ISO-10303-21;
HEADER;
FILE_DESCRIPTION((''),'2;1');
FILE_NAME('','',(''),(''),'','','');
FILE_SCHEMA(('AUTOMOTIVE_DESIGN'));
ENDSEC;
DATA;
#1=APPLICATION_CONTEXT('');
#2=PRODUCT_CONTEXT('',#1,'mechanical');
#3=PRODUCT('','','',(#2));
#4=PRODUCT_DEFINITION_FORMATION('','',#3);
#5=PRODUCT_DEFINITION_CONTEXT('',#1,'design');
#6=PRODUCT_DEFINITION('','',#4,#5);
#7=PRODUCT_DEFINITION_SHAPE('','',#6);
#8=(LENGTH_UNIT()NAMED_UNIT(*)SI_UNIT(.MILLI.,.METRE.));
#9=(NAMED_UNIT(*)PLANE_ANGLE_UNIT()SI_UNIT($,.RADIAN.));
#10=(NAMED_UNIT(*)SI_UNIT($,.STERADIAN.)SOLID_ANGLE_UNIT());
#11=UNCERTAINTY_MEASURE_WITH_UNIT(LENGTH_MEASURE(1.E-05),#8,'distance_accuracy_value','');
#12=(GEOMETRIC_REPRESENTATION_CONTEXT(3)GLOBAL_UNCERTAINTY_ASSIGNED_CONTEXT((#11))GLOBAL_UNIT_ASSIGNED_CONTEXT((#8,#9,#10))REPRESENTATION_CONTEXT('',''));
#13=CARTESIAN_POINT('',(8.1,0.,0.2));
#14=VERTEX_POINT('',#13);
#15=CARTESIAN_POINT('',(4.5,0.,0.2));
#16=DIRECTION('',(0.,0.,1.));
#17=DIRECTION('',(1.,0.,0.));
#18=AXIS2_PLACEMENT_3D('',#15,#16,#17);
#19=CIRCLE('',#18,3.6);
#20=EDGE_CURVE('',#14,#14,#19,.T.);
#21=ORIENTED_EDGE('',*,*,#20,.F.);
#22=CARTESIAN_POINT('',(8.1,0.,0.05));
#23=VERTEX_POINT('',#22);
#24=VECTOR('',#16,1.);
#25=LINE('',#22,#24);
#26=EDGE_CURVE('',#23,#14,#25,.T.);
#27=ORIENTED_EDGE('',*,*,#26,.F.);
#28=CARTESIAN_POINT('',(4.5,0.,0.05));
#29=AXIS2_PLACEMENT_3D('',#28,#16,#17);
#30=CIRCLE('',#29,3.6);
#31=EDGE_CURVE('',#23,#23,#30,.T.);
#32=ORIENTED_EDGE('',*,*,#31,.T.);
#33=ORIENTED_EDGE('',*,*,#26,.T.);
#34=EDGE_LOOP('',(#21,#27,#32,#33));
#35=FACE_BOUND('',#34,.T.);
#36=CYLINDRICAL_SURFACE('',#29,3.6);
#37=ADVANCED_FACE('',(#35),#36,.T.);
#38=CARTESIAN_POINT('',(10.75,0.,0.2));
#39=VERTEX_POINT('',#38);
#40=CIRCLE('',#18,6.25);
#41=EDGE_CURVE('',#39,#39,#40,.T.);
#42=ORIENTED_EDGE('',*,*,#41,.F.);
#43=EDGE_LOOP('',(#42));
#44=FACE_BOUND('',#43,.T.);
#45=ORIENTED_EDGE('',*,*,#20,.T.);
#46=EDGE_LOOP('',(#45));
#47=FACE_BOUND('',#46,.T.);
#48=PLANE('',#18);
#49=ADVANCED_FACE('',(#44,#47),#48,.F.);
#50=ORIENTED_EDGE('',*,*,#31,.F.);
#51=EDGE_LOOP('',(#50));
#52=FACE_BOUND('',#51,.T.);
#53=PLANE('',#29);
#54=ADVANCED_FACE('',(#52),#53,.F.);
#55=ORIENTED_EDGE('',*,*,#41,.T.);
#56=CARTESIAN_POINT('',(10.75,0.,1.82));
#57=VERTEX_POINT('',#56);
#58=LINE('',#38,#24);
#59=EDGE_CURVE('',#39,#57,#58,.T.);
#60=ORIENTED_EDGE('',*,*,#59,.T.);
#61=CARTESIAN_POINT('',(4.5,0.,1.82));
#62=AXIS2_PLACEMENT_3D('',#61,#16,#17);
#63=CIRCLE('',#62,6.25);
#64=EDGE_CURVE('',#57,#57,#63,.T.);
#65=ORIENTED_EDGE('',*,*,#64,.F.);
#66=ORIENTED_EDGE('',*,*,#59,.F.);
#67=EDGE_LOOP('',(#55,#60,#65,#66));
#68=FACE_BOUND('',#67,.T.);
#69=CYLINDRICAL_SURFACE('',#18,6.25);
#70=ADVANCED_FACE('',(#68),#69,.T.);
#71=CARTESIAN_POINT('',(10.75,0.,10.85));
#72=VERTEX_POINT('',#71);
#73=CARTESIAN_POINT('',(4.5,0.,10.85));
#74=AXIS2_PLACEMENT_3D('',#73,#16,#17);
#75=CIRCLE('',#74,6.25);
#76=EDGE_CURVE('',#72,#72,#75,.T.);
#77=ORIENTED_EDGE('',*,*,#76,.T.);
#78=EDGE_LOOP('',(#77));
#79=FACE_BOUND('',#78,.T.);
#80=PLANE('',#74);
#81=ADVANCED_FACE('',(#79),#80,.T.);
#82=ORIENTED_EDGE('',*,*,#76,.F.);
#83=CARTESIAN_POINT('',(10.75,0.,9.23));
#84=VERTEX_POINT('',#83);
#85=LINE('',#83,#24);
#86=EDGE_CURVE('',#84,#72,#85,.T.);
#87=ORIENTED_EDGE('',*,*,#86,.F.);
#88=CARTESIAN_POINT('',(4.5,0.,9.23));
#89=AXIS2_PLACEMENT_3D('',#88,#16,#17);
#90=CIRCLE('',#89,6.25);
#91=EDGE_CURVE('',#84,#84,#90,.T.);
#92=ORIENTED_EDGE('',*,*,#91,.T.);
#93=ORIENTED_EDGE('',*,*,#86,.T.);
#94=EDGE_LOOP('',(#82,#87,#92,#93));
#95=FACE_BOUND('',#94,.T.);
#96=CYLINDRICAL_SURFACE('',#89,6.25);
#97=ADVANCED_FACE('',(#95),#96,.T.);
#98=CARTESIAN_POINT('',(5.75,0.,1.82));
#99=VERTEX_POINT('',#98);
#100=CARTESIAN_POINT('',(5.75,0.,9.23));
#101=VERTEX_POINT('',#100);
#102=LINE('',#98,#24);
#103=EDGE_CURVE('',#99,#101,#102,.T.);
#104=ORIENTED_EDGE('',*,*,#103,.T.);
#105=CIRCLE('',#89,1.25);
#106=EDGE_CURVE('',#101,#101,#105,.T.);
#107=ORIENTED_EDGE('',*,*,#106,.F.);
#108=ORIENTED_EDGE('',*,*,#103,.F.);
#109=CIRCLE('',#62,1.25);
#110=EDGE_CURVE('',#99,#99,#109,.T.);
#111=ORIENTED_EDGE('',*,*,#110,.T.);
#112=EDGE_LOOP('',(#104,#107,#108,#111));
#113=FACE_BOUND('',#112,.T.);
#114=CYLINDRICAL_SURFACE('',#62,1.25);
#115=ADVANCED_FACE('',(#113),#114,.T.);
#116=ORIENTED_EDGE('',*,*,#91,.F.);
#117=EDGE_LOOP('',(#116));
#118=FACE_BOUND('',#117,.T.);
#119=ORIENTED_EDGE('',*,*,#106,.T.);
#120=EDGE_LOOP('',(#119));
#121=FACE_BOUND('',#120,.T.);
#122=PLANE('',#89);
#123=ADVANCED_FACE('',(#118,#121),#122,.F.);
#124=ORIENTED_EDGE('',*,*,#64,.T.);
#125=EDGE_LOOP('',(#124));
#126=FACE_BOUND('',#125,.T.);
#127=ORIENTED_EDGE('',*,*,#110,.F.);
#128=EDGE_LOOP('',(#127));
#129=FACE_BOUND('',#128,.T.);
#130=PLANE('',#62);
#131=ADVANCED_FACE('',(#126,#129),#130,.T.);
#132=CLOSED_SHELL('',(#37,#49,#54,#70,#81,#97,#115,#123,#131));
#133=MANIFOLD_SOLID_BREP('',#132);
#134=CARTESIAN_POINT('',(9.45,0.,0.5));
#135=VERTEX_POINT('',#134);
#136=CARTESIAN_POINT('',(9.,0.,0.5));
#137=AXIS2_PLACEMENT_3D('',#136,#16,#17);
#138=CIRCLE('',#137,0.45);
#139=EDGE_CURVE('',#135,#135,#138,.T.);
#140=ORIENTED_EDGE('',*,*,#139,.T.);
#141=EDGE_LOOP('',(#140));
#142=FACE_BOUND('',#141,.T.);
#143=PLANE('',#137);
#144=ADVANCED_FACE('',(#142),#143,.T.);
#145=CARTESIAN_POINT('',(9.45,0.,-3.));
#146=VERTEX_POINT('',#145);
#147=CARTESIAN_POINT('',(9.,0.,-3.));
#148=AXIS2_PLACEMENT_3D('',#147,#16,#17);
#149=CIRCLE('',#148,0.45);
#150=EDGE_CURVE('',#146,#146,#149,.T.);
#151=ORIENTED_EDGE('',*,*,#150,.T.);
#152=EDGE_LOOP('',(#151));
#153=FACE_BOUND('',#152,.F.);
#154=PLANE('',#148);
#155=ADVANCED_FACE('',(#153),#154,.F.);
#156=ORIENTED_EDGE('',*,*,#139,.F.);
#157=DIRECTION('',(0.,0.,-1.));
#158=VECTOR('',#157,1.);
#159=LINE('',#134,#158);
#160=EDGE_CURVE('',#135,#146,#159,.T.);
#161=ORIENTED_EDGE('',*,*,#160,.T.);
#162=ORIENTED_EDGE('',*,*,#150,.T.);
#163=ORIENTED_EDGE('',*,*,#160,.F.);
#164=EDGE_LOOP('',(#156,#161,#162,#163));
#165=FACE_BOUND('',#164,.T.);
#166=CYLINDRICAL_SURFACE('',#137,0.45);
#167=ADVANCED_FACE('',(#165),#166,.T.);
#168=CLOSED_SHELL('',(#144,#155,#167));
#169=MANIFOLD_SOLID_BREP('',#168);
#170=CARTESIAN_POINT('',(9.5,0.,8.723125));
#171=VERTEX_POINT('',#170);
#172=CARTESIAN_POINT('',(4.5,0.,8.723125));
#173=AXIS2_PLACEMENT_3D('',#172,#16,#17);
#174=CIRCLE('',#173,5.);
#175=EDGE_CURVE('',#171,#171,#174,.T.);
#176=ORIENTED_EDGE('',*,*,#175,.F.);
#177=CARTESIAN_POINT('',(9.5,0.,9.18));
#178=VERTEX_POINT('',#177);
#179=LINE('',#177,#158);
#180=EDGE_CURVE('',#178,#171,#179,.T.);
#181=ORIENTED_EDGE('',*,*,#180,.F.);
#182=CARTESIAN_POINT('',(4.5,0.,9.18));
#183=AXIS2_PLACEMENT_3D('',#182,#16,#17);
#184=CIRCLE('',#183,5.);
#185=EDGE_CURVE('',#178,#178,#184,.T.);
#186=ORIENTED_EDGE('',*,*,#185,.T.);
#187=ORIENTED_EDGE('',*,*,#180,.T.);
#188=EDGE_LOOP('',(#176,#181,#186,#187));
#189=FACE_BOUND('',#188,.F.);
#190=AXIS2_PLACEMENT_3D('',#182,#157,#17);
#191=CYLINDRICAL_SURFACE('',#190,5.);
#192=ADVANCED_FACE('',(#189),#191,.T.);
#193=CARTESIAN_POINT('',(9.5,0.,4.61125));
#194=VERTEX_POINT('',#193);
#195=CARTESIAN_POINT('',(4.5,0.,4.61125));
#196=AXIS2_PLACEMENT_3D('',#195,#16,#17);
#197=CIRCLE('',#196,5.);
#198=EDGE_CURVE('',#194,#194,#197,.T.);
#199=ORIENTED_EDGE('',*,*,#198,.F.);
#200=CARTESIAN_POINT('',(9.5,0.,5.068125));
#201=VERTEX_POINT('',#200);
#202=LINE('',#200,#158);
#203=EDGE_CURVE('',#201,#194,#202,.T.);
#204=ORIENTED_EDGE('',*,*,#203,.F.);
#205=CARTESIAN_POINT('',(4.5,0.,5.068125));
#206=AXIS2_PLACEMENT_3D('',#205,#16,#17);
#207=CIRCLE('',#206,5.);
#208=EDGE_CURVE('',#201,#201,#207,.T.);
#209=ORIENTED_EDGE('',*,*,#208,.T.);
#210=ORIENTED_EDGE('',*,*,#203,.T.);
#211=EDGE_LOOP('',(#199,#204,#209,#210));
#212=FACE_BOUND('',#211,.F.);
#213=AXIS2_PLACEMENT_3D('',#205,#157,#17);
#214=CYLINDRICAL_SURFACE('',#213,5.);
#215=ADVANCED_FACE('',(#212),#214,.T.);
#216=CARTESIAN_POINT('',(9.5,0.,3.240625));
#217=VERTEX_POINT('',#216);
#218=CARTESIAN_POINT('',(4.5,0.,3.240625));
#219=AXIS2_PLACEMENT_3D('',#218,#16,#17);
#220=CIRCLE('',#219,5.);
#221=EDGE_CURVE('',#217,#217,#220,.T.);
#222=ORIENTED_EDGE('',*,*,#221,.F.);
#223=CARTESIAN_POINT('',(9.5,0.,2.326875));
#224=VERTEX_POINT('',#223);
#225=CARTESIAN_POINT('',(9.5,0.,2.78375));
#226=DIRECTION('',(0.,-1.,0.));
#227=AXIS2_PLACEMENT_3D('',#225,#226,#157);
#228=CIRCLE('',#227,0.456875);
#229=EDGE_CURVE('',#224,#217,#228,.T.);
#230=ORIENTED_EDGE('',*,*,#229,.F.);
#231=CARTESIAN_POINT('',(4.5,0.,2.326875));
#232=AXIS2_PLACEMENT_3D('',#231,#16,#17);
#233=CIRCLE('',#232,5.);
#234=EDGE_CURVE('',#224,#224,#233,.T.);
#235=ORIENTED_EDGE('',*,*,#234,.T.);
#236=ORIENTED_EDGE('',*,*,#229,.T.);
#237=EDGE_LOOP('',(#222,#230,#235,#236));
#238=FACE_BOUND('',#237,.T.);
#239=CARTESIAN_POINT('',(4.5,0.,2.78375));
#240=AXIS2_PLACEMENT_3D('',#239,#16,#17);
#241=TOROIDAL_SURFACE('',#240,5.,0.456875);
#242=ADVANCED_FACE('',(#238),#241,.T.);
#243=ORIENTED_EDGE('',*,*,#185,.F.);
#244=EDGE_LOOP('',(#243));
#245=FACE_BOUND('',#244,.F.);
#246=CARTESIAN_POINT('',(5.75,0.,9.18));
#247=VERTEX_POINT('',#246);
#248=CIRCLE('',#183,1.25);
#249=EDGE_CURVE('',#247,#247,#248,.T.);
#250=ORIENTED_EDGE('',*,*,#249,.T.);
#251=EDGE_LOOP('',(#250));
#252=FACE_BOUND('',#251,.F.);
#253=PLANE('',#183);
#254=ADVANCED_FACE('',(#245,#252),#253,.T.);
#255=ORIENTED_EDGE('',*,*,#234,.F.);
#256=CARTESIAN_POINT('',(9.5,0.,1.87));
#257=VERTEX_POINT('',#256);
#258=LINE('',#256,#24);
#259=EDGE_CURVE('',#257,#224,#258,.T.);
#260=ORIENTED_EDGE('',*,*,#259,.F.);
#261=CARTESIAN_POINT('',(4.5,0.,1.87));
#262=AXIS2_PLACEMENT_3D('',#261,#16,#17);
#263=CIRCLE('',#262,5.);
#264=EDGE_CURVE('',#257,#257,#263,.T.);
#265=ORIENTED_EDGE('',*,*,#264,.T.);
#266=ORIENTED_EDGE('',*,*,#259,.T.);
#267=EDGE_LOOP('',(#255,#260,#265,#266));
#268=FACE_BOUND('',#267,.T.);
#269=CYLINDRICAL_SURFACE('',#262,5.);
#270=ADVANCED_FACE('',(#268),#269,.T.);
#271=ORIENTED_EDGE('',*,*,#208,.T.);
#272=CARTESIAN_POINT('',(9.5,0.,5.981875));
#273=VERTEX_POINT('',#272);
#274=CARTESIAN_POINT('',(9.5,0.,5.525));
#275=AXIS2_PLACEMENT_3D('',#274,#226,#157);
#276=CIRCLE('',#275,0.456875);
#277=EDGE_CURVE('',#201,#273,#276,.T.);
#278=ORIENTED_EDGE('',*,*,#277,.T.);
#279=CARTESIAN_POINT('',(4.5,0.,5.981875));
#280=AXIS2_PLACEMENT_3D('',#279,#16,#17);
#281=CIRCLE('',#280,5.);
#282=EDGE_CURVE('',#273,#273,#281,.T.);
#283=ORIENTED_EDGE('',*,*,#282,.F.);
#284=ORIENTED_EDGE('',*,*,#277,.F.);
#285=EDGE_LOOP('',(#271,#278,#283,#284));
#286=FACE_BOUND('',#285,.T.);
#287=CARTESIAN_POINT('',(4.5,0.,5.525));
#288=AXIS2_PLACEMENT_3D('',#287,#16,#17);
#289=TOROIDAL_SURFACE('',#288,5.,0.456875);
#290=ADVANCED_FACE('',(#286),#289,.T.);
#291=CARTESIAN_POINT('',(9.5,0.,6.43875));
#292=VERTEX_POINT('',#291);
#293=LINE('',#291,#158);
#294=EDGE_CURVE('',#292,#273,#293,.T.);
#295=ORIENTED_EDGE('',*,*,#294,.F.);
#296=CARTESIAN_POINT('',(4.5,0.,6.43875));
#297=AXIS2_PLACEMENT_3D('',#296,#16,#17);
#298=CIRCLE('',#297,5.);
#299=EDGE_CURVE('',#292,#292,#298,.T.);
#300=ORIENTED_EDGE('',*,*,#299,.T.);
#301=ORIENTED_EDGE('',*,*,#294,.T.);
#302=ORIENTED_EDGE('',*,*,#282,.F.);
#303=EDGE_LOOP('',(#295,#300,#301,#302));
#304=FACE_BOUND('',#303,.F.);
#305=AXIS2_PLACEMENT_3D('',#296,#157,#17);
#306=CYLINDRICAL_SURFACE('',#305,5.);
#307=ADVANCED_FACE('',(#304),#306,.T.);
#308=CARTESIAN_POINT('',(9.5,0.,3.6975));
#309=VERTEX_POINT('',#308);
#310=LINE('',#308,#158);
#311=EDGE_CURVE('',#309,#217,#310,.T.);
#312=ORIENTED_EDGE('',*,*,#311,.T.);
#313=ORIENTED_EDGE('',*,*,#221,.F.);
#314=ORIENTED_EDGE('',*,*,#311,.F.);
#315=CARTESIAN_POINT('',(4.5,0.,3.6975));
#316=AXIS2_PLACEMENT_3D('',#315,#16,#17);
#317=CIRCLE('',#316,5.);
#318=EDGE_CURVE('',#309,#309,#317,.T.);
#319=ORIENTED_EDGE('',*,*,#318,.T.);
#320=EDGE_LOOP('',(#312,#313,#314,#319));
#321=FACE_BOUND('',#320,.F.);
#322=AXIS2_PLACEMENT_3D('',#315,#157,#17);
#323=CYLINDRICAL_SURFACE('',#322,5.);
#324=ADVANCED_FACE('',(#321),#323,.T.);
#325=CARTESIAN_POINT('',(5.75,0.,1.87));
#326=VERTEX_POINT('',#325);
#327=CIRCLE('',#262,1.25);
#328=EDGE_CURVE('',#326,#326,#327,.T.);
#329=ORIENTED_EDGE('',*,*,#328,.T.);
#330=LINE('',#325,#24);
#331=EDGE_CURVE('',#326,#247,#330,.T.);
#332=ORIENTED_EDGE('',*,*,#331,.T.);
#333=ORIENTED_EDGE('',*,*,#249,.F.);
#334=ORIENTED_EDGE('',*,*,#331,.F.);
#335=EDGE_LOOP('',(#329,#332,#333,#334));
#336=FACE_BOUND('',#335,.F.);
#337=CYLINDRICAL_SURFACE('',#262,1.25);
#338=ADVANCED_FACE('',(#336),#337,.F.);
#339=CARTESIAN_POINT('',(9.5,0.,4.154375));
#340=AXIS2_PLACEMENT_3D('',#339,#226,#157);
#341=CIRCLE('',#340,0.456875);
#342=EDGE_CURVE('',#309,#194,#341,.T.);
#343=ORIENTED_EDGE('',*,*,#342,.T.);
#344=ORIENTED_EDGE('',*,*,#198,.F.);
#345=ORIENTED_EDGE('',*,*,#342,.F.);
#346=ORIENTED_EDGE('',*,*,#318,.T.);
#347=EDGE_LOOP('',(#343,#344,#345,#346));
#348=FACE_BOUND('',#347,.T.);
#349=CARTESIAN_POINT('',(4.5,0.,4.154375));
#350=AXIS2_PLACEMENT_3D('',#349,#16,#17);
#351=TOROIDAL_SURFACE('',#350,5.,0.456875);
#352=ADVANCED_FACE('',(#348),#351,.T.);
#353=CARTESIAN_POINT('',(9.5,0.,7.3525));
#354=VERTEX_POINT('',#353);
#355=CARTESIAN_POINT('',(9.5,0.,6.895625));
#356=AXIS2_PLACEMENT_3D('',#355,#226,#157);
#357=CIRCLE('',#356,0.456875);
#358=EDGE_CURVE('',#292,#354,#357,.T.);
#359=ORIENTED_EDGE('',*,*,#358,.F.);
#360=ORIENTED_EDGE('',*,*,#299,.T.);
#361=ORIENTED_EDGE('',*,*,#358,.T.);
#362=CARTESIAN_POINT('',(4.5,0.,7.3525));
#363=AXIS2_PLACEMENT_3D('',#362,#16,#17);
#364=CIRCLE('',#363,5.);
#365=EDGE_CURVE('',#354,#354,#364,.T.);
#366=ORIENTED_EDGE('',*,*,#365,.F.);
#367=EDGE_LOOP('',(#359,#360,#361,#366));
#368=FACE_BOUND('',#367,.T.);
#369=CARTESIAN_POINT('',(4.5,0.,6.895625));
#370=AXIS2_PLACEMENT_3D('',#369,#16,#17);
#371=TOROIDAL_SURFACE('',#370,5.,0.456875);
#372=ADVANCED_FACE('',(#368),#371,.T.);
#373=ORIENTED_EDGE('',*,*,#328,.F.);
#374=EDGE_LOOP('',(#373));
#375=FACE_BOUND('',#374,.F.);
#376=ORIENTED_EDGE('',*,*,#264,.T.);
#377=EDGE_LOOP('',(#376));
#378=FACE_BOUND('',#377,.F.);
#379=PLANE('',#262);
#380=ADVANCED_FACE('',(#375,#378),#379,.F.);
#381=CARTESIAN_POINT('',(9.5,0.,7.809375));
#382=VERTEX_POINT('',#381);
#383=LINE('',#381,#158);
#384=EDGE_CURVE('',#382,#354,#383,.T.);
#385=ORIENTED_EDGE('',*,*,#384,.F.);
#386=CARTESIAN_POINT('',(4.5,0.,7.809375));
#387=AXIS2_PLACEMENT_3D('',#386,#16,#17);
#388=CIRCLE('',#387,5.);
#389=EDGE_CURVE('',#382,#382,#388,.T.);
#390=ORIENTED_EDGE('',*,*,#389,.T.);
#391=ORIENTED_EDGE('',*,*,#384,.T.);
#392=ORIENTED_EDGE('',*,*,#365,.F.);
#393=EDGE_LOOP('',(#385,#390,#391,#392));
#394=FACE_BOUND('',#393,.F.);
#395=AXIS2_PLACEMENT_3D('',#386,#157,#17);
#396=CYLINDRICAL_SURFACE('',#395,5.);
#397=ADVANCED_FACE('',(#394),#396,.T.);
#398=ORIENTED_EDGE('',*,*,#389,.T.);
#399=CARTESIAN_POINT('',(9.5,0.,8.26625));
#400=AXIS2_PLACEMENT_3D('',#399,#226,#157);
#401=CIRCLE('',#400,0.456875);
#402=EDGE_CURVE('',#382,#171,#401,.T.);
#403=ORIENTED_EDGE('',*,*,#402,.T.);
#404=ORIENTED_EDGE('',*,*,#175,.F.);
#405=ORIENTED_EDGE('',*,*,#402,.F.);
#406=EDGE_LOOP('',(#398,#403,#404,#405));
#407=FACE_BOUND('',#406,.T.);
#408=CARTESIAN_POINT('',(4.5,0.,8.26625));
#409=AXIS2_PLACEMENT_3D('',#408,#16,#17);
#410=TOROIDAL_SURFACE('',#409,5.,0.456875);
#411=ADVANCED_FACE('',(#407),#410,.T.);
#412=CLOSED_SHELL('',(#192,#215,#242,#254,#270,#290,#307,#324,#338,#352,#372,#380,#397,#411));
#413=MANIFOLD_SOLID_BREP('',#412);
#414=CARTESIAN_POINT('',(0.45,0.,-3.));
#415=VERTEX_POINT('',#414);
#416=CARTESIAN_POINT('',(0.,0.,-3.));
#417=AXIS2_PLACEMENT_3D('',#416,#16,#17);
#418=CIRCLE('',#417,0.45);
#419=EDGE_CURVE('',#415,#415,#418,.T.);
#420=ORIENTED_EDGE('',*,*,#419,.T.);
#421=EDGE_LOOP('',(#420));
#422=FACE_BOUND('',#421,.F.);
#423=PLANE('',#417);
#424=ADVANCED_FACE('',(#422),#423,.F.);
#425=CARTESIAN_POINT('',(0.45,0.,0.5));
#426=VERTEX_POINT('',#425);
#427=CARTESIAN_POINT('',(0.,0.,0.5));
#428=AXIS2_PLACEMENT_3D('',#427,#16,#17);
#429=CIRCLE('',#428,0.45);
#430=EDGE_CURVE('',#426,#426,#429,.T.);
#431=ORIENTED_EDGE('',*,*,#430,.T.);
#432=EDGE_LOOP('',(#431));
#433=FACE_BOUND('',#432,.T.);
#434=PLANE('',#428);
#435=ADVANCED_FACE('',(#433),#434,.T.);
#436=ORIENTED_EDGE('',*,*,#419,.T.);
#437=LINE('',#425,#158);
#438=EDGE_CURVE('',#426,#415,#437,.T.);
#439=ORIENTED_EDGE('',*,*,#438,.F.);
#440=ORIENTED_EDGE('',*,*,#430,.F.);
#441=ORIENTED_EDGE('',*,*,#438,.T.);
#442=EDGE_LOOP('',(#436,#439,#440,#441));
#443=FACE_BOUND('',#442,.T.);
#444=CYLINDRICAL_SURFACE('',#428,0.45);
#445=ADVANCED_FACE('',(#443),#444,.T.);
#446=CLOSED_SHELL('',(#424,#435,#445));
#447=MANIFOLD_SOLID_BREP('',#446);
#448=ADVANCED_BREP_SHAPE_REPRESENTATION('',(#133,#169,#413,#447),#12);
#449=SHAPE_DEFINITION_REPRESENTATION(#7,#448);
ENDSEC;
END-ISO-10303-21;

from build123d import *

# Parameters (mm, degrees)
SKETCH001_R  = 0.45
PAD001_DEPTH = 3.5


with BuildPart() as pad001:
    # Sketch001 → Pad001 (new body)
    with BuildSketch(Plane.XY.offset(0.5)):
        Circle(SKETCH001_R)
        with Locations((9, 0)):
            Circle(SKETCH001_R)
    extrude(amount=-PAD001_DEPTH)


with BuildPart() as revolution:
    # Sketch → Revolution (revolve)
    with BuildSketch(Plane(origin=(4.5, 0, 0), x_dir=(1, 0, 0), z_dir=(0, -1, 0))):
        Polygon((0, 0.05), (3.6, 0.05), (3.6, 0.2), (6.25, 0.2), (6.25, 1.82), (1.25, 1.82), (1.25, 9.23), (6.25, 9.23), (6.25, 10.85), (0, 10.85), align=None)
    revolve(axis=Axis((4.5, 0, 0), (0, 0, 1)))


with BuildPart() as revolution001:
    # Sketch002 → Revolution001 (revolve)
    with BuildSketch(Plane(origin=(4.5, 0, 0), x_dir=(1, 0, 0), z_dir=(0, -1, 0))):
        with BuildLine():
            Line((5, 1.87), (1.25, 1.87))
            Line((1.25, 1.87), (1.25, 9.18))
            Line((1.25, 9.18), (5, 9.18))
            Line((5, 9.18), (5, 8.723125))
            ThreePointArc((5, 7.809375), (5.456875, 8.26625), (5, 8.723125))
            Line((5, 7.809375), (5, 7.3525))
            ThreePointArc((5, 6.43875), (5.456875, 6.895625), (5, 7.3525))
            Line((5, 6.43875), (5, 5.981875))
            ThreePointArc((5, 5.068125), (5.456875, 5.525), (5, 5.981875))
            Line((5, 5.068125), (5, 4.61125))
            ThreePointArc((5, 3.6975), (5.456875, 4.154375), (5, 4.61125))
            Line((5, 3.6975), (5, 3.240625))
            ThreePointArc((5, 2.326875), (5.456875, 2.78375), (5, 3.240625))
            Line((5, 1.87), (5, 2.326875))
        make_face()
    revolve(axis=Axis((4.5, 0, 0), (0, 0, 1)))


solid = Compound([pad001.part, revolution.part, revolution001.part])
